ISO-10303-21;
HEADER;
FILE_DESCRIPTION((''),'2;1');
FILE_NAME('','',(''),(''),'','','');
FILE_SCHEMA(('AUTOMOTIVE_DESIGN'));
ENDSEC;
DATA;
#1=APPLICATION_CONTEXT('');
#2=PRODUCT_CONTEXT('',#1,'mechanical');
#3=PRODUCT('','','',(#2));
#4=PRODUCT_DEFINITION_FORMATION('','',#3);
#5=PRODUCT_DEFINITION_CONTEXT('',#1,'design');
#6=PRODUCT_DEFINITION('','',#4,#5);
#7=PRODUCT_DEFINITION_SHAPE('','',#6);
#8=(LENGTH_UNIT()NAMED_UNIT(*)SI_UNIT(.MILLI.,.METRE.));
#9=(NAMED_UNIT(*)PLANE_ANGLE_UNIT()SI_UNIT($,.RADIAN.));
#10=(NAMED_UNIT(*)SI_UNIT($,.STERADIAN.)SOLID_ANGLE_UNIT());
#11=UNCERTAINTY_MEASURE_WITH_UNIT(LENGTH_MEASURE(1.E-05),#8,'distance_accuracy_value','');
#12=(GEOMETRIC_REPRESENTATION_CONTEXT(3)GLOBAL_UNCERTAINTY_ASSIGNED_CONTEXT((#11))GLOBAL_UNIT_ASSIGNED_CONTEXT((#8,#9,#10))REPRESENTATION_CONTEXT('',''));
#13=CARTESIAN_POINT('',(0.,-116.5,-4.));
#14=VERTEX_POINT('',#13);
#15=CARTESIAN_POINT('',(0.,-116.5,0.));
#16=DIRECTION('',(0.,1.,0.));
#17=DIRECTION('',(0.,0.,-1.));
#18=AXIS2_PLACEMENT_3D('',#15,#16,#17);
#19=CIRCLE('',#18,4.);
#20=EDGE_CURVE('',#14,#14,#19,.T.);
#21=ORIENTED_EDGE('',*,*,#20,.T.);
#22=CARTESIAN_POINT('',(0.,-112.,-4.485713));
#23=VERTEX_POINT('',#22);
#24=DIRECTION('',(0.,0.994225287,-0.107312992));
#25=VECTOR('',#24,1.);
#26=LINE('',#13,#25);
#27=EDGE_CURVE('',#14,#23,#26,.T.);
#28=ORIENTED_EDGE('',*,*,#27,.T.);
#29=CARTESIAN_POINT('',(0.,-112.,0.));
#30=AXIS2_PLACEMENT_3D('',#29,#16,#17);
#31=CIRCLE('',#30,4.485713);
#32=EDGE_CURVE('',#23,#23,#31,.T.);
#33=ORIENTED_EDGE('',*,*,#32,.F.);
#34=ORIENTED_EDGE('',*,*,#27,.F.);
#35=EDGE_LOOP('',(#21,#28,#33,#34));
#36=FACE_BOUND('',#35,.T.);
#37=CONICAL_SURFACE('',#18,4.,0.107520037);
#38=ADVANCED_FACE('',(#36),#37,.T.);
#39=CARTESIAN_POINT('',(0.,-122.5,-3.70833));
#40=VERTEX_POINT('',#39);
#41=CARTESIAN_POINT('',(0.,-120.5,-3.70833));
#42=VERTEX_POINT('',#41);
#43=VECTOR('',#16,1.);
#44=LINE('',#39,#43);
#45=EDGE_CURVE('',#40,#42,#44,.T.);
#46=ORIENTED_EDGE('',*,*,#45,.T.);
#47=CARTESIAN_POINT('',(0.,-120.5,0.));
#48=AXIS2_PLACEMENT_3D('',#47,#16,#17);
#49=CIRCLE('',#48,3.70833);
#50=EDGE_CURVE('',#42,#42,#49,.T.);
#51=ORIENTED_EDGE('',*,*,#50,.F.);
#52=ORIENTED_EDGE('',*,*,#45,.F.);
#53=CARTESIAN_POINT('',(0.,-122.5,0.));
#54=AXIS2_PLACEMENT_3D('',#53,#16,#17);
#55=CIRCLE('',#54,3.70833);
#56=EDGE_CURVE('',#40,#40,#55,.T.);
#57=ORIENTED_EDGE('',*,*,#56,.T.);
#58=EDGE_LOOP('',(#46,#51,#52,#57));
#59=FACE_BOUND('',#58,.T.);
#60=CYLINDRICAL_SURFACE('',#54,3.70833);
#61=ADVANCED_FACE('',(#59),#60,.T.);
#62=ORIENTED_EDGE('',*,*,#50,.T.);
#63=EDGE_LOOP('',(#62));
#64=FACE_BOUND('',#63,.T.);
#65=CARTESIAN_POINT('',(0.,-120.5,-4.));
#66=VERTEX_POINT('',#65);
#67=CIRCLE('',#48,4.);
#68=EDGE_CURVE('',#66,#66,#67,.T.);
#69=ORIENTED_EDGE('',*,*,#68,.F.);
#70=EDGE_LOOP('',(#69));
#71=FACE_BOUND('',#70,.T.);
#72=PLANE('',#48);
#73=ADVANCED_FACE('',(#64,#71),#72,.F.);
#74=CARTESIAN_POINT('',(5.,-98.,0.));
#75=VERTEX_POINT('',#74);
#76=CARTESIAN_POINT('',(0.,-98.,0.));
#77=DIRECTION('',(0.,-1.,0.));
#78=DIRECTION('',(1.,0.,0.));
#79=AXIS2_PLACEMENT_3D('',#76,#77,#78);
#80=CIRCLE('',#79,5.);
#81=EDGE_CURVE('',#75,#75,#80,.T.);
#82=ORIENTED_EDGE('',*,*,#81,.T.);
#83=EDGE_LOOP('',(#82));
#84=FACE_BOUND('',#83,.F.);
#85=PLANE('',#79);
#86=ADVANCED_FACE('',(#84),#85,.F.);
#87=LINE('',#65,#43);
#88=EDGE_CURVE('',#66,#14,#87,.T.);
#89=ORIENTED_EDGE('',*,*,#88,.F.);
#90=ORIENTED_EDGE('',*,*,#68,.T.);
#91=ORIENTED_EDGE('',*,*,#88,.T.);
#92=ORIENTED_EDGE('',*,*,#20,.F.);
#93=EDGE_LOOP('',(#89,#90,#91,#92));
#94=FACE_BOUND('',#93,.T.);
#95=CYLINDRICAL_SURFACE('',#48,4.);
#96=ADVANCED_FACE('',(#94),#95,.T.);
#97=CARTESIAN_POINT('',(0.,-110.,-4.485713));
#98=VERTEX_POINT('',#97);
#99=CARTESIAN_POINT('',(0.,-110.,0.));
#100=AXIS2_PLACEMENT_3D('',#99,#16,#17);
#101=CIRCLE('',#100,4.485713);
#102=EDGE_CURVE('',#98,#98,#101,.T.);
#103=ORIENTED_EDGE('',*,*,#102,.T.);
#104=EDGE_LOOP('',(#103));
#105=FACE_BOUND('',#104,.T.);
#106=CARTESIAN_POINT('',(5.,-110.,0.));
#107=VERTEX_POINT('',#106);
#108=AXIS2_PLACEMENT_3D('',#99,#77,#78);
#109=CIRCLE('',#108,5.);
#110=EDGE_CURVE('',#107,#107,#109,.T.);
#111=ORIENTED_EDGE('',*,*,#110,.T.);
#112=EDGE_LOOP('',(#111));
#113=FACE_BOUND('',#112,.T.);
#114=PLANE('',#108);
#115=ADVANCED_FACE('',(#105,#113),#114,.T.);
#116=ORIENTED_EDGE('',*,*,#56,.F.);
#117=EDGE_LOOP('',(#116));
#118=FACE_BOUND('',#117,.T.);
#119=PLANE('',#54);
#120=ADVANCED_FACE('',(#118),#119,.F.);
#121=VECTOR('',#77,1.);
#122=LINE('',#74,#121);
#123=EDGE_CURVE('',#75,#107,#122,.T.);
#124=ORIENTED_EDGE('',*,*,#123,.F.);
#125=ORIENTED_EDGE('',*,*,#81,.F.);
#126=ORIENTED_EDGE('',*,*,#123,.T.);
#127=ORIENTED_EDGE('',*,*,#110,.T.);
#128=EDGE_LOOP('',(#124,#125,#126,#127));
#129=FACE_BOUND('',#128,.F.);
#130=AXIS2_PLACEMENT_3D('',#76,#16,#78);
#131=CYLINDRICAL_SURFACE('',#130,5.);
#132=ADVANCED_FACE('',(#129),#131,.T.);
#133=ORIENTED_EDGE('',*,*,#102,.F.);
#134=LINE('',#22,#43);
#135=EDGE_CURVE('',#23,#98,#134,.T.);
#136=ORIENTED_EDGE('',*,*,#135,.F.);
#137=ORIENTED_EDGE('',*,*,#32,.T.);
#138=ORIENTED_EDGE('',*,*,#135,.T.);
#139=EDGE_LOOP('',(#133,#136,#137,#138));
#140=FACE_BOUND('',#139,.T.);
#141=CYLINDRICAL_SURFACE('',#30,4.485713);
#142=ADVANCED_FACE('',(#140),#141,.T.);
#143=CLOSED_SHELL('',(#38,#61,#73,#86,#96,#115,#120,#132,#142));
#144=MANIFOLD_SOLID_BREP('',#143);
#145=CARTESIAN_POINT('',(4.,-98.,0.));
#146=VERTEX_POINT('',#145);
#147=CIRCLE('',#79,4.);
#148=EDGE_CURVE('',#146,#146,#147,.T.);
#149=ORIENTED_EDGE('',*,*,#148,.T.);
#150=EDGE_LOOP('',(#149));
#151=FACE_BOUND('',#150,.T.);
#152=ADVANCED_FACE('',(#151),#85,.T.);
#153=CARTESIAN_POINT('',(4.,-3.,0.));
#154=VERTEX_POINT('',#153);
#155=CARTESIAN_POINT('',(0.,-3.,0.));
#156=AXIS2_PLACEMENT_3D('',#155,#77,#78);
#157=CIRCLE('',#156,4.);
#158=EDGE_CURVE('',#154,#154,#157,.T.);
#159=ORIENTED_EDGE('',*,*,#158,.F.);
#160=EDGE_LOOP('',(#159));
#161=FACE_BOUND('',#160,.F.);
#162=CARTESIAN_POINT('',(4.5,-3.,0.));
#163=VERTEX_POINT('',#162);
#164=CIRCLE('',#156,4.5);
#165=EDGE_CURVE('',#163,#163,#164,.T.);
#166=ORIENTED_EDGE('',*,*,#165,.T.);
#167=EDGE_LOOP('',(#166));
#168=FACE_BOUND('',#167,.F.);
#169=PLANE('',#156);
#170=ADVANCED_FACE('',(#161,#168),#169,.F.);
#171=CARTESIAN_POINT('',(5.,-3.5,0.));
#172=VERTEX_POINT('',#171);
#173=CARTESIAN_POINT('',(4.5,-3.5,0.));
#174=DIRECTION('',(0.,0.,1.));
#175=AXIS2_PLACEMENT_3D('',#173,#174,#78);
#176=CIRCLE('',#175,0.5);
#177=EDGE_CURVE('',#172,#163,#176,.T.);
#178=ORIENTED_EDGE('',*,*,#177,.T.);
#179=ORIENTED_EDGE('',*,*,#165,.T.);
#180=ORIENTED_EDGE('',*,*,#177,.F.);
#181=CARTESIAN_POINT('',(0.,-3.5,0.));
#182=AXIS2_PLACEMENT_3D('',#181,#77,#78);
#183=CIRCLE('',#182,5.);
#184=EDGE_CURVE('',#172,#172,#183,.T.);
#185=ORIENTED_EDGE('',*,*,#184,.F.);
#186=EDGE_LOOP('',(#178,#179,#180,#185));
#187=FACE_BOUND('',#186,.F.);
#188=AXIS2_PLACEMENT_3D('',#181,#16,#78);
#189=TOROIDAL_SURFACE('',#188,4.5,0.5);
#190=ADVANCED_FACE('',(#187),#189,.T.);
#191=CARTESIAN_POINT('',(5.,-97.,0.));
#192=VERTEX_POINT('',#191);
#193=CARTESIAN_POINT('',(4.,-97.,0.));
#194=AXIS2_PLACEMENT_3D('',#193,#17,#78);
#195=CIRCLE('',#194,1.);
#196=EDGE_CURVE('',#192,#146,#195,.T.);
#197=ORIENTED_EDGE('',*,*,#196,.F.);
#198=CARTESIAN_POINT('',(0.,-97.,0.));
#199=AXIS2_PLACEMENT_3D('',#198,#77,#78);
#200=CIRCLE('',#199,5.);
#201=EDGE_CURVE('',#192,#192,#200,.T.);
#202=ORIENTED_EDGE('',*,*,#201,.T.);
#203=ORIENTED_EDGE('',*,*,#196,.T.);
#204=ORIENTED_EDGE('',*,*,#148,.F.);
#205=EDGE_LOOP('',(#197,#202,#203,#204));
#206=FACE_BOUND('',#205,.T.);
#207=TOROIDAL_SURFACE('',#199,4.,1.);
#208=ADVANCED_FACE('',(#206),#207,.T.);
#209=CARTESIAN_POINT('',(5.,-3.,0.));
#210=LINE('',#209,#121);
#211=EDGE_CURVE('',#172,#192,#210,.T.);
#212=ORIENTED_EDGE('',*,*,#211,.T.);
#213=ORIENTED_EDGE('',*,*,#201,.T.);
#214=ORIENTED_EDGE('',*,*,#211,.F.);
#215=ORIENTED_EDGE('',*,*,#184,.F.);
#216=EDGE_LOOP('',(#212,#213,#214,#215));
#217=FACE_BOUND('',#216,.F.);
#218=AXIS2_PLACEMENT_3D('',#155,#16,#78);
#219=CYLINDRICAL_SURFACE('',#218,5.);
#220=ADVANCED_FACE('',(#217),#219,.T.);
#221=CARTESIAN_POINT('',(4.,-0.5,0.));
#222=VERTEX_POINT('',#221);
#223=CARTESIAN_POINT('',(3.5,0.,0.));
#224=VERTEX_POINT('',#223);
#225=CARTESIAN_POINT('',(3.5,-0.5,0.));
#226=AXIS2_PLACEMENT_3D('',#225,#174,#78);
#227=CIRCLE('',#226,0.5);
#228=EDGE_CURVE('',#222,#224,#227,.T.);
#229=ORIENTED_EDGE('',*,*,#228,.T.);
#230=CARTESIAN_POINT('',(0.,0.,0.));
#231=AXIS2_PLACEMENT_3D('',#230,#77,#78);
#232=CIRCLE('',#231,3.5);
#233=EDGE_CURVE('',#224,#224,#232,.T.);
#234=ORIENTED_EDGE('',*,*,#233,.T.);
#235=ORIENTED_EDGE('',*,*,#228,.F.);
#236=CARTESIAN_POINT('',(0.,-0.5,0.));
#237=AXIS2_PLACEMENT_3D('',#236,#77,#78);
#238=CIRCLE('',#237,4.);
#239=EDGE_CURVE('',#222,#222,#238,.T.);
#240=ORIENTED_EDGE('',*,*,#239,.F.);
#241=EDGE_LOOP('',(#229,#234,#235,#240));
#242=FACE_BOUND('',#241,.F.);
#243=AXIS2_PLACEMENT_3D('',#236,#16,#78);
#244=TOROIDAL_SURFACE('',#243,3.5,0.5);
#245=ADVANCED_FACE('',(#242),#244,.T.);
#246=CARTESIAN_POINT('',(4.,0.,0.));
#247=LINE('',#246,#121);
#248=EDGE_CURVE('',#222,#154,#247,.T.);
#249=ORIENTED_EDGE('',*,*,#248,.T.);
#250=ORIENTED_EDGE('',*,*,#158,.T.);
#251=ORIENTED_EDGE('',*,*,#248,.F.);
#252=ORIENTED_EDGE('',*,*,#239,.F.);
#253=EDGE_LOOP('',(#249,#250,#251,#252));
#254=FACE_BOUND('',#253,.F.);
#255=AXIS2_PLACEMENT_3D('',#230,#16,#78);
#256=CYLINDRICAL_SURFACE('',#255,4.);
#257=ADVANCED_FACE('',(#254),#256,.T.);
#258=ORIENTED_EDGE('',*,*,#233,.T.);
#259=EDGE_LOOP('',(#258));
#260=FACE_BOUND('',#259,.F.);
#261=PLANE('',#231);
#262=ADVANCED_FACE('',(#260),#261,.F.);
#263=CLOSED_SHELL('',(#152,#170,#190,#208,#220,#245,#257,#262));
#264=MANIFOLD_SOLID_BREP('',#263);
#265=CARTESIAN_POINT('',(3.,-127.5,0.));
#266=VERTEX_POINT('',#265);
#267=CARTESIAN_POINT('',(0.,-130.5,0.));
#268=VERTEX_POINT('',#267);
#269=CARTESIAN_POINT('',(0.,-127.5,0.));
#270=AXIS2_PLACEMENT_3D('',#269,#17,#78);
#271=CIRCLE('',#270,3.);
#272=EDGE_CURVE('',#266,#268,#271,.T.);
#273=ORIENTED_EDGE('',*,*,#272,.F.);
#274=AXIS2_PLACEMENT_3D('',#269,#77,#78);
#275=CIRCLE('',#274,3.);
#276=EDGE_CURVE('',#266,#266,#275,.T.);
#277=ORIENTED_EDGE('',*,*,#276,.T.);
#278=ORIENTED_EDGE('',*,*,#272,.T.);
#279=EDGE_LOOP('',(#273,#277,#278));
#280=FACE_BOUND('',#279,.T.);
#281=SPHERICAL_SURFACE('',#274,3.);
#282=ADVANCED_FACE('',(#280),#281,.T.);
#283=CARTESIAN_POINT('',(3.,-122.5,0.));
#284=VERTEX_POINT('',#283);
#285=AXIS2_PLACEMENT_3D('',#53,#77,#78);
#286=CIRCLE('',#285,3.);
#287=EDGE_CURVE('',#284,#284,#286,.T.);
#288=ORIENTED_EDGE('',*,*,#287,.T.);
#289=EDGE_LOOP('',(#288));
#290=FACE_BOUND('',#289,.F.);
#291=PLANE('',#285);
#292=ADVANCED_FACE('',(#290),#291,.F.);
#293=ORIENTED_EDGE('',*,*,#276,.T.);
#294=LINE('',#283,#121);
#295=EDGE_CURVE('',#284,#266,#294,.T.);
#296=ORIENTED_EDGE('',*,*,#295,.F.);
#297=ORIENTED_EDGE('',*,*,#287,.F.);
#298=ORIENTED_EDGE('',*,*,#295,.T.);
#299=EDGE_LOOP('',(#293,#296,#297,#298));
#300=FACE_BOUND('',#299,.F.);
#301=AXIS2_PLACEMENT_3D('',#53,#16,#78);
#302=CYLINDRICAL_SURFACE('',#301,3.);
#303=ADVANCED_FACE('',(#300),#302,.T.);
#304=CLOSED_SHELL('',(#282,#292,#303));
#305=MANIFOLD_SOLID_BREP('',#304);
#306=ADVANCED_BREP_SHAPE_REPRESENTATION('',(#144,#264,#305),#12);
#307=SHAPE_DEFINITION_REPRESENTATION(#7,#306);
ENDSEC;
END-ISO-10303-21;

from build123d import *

# Parameters (mm, degrees)
F0_R      = 4
F1_DEPTH  = 3
F2_R      = 5
F3_DEPTH  = 95
F4_R      = 1
F5_R      = 5
F6_DEPTH  = 12
F9_R      = 3
F10_DEPTH = 8
F11_R     = 3
F12_R     = 0.5


with BuildPart() as f1:
    # F0 (on Front) → F1 (new body)
    with BuildSketch(Plane.XZ):
        Circle(F0_R)
    extrude(amount=F1_DEPTH)

    # F2 (on face) → F3 (join)
    with BuildSketch(Plane.XZ.offset(3)):
        Circle(F2_R)
    extrude(amount=F3_DEPTH)

    # F4
    f4_edges = [f1.edges().sort_by_distance(p)[0] for p in [
        (-5, -98, 0),
    ]]
    fillet(f4_edges, radius=F4_R)

    # F12
    f12_edges = [f1.edges().sort_by_distance(p)[0] for p in [
        (-5, -3, 0),
        (-4, 0, 0),
    ]]
    fillet(f12_edges, radius=F12_R)


with BuildPart() as f6:
    # F5 (on face) → F6 (new body)
    with BuildSketch(Plane.XZ.offset(98)):
        Circle(F5_R)
    extrude(amount=F6_DEPTH)

    # F7 (on Right) → F8 (revolve)
    with BuildSketch(Plane.YZ):
        Polygon((-112, -4.485713318), (-110, -4.485713318), (-110, 0), (-122.5, 0), (-122.5, -3.7083302159), (-120.5, -3.7083302159), (-120.5, -4), (-116.5, -4), align=None)
    revolve(axis=Axis((0, -116.25, 0), (0, 1, 0)))


with BuildPart() as f10:
    # F9 (on face) → F10 (new body)
    with BuildSketch(Plane.XZ.offset(122.5)):
        Circle(F9_R)
    extrude(amount=F10_DEPTH)

    # F11
    f11_edges = [f10.edges().sort_by_distance(p)[0] for p in [
        (-3, -130.5, 0),
    ]]
    fillet(f11_edges, radius=F11_R)


solid = Compound([f1.part, f6.part, f10.part])
